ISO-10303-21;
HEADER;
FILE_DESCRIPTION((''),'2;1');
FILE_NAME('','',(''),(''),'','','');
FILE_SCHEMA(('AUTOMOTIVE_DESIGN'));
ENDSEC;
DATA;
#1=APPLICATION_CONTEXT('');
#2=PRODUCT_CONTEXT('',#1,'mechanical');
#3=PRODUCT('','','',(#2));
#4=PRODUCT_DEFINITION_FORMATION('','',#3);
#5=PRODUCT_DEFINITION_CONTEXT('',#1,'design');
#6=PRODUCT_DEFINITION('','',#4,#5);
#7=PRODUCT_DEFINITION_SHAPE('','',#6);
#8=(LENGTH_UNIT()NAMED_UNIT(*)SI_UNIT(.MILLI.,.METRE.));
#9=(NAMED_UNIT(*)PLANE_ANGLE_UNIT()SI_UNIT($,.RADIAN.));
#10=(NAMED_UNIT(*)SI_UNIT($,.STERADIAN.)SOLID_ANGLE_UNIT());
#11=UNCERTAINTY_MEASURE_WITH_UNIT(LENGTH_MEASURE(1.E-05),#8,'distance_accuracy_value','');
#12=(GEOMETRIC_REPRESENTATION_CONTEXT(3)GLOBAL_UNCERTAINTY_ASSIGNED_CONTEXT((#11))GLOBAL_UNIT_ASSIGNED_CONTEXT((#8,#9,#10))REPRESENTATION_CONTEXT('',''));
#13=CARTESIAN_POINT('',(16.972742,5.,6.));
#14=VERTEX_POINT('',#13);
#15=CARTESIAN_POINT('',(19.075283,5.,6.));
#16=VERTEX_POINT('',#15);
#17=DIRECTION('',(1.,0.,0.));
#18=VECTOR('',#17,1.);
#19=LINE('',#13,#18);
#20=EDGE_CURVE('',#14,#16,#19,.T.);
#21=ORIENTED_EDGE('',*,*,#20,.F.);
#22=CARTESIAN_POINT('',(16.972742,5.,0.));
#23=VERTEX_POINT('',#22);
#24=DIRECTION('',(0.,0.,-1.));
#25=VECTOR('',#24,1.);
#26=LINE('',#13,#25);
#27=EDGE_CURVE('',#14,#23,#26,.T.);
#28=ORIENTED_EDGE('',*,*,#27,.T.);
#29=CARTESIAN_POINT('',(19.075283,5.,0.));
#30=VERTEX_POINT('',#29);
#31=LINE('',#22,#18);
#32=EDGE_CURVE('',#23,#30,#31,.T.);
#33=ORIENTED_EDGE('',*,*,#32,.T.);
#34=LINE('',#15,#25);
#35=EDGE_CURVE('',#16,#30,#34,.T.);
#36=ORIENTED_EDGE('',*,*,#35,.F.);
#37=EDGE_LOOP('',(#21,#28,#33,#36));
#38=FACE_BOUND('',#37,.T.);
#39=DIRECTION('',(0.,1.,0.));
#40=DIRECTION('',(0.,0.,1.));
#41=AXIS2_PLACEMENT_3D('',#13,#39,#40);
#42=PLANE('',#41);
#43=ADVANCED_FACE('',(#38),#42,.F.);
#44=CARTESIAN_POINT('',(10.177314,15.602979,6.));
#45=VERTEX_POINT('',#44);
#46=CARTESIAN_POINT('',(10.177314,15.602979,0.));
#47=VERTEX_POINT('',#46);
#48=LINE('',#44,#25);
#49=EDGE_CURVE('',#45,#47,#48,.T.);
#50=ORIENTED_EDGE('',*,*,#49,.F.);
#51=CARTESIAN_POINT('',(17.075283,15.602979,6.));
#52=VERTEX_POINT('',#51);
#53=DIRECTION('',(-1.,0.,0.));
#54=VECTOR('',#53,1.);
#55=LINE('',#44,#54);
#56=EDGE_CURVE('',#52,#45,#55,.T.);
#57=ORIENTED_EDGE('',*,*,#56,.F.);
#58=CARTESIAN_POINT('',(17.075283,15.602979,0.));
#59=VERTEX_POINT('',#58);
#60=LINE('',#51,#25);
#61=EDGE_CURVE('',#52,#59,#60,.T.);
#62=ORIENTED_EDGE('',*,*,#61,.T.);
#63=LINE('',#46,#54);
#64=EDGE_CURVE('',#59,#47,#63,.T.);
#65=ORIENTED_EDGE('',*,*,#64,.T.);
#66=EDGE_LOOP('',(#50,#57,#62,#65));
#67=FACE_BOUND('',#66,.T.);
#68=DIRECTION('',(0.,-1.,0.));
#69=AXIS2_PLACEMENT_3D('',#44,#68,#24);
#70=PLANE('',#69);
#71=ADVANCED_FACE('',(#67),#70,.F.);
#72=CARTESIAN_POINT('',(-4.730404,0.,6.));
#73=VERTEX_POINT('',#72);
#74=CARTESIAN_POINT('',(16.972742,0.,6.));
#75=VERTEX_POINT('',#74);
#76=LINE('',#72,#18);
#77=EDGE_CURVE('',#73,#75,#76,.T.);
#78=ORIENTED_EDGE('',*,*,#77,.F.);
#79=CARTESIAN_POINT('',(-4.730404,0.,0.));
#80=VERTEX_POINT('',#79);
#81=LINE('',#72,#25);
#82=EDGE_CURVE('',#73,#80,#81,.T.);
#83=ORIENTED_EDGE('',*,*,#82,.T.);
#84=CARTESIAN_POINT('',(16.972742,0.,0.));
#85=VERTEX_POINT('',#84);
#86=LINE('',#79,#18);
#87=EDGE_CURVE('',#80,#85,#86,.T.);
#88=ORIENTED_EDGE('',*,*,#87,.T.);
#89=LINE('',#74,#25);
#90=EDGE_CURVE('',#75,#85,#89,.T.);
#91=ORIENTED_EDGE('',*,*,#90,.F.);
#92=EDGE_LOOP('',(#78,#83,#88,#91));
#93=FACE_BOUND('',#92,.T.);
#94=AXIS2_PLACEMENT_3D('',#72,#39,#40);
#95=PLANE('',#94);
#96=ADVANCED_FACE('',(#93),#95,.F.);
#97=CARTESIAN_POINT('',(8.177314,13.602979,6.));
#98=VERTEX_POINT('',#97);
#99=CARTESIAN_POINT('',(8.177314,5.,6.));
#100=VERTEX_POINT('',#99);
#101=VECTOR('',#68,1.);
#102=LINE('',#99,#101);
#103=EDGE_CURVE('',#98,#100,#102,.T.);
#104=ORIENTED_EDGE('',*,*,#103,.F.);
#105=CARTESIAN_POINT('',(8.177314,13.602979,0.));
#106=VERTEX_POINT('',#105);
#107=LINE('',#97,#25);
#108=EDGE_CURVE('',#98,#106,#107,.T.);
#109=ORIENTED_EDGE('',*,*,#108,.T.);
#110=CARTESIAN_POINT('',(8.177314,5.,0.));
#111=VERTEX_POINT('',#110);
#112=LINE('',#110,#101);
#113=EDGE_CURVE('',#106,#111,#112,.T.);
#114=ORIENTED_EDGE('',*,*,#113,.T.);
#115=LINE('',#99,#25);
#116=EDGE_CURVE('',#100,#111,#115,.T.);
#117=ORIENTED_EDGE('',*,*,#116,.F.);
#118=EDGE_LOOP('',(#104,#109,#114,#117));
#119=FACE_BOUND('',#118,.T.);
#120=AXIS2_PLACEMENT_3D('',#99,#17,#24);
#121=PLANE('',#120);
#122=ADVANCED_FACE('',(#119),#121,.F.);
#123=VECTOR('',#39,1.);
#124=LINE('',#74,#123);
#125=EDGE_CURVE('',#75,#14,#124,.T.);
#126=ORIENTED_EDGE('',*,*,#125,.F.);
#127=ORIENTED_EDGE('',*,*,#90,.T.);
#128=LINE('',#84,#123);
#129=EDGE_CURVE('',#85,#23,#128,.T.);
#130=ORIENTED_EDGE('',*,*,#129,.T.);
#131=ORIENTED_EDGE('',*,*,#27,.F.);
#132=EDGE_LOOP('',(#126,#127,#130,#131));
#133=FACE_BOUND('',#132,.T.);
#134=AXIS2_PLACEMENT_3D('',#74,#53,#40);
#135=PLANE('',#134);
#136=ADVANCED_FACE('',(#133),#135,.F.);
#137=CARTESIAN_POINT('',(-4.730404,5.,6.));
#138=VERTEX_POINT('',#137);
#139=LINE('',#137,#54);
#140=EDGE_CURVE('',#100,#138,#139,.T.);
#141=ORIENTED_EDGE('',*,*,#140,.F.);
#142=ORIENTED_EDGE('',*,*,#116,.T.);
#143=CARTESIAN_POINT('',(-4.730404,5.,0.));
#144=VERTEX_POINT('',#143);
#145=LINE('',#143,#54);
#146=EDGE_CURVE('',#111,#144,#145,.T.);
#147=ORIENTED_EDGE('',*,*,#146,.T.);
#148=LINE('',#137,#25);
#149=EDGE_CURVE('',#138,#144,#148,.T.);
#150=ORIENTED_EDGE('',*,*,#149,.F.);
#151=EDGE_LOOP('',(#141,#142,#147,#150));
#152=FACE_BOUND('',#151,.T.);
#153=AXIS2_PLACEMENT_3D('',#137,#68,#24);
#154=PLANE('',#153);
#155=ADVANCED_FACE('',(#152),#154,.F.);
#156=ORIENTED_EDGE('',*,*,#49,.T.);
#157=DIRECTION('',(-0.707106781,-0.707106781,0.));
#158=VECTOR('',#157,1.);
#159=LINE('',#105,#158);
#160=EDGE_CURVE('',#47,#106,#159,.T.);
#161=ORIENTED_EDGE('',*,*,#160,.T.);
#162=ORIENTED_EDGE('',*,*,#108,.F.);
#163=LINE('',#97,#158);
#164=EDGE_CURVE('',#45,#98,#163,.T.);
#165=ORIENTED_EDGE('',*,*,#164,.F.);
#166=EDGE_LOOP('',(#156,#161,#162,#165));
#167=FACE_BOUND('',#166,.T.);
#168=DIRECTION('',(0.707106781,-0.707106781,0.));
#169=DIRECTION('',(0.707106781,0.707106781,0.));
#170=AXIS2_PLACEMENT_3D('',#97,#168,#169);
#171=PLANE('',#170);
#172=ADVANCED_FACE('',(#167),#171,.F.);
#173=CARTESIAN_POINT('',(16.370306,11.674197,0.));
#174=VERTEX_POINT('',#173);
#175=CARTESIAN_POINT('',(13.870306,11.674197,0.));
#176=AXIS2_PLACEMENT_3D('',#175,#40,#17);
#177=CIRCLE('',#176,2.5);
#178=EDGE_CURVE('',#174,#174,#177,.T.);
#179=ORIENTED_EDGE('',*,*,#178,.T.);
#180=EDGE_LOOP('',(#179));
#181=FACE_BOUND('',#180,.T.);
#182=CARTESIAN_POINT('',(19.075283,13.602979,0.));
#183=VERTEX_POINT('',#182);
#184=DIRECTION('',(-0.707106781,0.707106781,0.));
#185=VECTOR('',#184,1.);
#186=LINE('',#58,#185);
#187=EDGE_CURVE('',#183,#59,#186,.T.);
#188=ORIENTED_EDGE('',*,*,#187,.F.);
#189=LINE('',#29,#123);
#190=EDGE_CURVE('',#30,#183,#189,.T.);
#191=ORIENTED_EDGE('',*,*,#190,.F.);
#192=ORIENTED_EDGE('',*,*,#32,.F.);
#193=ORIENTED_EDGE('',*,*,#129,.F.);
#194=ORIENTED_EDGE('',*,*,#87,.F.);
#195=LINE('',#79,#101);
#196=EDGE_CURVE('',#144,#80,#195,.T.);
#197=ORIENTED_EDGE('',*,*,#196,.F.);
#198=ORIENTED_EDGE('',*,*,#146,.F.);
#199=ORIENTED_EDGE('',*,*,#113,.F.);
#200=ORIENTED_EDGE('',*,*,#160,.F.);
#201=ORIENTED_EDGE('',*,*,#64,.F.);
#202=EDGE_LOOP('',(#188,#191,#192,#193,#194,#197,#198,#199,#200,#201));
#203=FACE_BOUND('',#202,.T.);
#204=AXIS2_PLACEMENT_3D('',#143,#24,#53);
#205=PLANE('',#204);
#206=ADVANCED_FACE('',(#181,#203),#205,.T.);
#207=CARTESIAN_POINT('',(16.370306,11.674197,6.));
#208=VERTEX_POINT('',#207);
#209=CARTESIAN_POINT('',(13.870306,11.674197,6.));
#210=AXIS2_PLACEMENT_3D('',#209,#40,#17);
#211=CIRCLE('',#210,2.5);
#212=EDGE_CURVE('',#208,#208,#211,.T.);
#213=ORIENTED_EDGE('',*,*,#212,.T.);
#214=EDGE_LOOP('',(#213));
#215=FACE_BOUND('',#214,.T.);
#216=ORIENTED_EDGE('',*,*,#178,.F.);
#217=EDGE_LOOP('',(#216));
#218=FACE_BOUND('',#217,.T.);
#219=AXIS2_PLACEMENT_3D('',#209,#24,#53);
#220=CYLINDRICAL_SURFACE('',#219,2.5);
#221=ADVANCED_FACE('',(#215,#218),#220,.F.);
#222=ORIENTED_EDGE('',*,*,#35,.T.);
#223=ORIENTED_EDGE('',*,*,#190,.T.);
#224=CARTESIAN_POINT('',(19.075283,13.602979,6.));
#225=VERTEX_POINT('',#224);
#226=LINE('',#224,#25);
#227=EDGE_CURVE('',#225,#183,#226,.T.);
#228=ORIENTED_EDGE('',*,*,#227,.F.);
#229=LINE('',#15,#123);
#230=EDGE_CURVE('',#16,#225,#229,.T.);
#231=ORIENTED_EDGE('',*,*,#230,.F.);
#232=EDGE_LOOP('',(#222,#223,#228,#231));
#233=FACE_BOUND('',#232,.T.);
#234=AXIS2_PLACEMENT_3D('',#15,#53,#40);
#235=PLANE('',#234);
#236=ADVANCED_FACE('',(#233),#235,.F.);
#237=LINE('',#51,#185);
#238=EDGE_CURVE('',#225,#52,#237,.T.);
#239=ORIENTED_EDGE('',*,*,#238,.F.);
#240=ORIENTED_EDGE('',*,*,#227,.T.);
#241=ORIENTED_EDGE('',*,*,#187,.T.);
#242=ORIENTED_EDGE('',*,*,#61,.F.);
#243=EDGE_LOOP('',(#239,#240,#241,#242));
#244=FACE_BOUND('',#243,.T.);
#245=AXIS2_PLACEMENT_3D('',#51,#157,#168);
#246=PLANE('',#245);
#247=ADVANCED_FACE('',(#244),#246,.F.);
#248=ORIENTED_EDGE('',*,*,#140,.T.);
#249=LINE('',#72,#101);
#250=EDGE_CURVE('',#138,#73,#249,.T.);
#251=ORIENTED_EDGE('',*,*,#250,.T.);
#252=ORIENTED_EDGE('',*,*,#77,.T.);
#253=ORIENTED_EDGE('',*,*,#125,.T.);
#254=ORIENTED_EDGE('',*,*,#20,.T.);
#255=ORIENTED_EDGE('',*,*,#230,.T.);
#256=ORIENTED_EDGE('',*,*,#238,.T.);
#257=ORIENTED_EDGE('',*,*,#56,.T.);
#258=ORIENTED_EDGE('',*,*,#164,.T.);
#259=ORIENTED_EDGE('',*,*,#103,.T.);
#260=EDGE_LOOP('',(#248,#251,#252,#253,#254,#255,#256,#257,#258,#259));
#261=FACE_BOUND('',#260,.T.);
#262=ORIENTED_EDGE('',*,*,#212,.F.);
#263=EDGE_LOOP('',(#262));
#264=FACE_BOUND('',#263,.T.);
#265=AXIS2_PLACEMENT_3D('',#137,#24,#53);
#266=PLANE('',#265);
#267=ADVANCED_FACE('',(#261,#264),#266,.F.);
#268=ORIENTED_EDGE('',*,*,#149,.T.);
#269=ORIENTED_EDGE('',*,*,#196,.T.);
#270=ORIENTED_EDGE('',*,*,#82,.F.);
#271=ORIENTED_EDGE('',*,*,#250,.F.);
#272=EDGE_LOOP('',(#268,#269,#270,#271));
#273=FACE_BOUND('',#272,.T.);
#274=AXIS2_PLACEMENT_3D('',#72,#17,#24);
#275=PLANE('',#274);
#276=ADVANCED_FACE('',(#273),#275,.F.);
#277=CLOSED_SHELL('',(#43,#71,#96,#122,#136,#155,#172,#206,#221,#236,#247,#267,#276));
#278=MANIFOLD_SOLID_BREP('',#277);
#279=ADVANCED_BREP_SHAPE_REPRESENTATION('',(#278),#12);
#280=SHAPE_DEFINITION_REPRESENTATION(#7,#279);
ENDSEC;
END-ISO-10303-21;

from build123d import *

# Parameters (mm, degrees)
SKETCH_1_R      = 2.5
EXTRUDE_1_DEPTH = 6


with BuildPart() as part:
    # Эскиз1 → Вытянуть1 (new body)
    with BuildSketch(Plane.XY):
        Polygon((-4.730404232, 5), (8.177314087, 5), (8.177314087, 13.602978753), (10.177314087, 15.602978753), (17.075283444, 15.602978753), (19.075283444, 13.602978753), (19.075283444, 5), (16.972741992, 5), (16.972741992, 0), (-4.730404232, 0), align=None)
        with Locations((13.870306462, 11.674196646)):
            Circle(SKETCH_1_R, mode=Mode.SUBTRACT)
    extrude(amount=EXTRUDE_1_DEPTH)


solid = part.part
